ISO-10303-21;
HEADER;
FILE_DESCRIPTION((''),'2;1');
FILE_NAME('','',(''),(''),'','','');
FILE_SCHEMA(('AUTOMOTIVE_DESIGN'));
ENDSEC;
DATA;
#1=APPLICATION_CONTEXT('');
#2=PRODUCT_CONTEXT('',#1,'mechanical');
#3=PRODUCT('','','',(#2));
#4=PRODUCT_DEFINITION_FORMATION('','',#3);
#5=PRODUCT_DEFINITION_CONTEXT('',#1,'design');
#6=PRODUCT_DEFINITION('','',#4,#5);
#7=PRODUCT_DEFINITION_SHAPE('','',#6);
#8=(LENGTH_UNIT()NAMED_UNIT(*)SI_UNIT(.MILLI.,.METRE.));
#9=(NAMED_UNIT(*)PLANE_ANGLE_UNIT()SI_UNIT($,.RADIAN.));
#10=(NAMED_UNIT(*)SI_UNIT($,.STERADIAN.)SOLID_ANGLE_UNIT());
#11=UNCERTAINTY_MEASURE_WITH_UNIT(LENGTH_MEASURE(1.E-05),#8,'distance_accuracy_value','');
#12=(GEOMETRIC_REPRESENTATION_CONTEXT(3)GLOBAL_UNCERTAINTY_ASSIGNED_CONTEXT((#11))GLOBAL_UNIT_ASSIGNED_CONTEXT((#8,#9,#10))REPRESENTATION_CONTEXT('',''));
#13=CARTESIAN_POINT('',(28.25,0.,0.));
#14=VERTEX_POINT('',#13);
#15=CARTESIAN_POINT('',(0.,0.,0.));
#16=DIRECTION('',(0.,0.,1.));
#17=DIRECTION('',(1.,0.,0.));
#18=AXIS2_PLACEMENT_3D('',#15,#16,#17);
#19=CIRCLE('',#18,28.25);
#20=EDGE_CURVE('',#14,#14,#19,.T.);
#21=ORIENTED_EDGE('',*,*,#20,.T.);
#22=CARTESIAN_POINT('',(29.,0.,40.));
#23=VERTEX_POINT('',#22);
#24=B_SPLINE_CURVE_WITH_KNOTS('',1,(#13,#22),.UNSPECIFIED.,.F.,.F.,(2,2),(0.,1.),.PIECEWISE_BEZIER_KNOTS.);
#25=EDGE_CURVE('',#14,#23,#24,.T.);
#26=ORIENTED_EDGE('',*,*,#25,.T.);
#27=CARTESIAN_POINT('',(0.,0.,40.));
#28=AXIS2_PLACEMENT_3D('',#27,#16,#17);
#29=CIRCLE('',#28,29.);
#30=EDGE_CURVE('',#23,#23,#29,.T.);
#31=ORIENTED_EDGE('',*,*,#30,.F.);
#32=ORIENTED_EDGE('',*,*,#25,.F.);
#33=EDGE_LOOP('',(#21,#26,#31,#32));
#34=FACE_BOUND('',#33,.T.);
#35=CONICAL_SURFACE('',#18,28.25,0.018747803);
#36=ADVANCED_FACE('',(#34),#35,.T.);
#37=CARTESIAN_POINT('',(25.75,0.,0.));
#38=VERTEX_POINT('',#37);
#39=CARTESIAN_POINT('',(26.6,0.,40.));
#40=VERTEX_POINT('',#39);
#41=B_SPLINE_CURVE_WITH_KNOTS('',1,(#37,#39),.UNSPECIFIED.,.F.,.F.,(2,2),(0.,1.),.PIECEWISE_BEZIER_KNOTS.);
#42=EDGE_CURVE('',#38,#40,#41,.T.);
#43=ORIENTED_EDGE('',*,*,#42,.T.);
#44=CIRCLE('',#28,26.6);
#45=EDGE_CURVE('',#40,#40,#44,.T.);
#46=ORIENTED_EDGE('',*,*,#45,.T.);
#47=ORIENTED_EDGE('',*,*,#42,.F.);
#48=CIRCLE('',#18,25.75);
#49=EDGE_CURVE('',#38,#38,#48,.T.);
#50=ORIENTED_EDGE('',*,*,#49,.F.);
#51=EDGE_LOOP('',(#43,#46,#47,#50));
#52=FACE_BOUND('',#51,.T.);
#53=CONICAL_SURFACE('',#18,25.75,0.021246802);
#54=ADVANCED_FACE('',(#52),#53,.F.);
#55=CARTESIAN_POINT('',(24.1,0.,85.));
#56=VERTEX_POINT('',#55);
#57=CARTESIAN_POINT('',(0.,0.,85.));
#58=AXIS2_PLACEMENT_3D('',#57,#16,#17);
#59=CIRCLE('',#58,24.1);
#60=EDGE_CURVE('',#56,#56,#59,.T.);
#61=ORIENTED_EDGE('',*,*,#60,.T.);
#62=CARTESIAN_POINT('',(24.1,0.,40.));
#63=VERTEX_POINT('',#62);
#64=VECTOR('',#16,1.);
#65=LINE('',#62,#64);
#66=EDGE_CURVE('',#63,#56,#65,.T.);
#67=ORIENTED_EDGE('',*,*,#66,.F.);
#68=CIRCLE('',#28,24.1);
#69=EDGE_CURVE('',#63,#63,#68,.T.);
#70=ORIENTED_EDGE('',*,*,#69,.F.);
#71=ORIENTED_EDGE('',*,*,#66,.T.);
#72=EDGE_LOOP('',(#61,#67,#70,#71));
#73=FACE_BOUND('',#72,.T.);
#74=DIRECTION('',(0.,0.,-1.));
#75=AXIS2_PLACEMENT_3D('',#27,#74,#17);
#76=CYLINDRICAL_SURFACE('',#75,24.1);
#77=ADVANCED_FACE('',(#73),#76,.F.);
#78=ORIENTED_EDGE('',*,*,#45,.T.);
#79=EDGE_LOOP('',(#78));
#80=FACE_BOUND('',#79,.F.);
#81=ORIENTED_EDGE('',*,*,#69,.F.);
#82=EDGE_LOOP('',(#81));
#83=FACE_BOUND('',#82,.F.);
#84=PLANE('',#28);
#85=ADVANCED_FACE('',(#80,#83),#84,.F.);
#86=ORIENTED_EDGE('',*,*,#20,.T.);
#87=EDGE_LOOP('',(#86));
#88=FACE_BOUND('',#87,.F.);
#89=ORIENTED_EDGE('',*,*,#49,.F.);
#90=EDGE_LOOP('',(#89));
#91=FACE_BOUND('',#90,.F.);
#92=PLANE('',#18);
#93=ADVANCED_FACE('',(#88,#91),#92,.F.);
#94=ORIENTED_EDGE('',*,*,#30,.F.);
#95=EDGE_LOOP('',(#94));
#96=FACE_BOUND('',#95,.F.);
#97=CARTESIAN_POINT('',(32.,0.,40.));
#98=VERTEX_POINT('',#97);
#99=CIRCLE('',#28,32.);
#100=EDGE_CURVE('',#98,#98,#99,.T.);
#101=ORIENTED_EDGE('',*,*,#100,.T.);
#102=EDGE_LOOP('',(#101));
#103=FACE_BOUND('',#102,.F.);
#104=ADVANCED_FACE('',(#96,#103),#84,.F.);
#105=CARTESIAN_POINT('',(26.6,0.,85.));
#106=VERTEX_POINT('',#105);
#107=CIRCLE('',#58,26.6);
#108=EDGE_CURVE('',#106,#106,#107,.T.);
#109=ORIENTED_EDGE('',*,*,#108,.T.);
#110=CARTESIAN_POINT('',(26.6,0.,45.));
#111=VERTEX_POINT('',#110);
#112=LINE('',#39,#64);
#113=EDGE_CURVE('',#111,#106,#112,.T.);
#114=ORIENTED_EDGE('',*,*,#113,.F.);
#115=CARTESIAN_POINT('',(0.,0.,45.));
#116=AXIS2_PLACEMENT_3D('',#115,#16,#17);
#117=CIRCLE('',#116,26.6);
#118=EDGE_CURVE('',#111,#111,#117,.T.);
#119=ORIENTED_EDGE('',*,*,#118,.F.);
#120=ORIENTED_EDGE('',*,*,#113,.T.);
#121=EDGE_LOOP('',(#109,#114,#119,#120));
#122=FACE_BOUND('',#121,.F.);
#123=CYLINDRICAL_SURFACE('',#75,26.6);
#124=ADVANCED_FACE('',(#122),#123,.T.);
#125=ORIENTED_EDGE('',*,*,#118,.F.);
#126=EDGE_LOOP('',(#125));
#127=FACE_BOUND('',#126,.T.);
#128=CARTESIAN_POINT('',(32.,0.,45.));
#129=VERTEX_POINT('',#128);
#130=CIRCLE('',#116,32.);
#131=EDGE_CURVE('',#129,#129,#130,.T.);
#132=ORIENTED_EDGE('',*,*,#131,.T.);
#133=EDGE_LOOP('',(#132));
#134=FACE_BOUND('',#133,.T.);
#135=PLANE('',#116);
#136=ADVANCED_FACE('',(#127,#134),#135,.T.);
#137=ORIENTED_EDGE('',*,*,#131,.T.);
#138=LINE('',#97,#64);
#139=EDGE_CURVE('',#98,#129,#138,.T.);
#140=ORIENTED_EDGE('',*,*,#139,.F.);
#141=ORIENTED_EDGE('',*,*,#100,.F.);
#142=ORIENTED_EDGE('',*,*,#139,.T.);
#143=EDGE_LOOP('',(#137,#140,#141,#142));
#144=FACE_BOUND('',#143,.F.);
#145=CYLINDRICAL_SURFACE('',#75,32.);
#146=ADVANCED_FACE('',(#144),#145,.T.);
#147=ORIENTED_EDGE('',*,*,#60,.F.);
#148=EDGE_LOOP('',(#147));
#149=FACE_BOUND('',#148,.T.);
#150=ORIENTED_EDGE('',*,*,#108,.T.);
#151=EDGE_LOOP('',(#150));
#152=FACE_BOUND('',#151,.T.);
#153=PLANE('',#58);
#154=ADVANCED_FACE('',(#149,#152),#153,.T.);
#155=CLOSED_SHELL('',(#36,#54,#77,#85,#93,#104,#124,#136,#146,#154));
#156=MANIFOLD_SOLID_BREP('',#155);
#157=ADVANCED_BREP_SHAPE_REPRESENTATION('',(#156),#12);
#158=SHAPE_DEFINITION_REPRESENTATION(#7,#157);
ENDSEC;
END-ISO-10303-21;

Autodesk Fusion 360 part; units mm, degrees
sketch "Sketch1" plane through (0, 0, 0) normal (0, 0, 1) x (1, 0, 0)
  circle A0 centre (0, 0) radius 28.25
  circle A1 centre (0, 0) radius 25.75
  dimension "d1" = 56.5
  dimension "d7" = 51.5
ref_plane "WorkPlane1" through (0, 0, 40) normal (0, 0, 1) x (1, 0, 0)
sketch "Sketch2" plane through (0, 0, 40) normal (0, 0, 1) x (1, 0, 0)
  circle A0 centre (0, 0) radius 29
  circle A1 centre (0, 0) radius 26.6
  dimension "d6" = 58
  dimension "d8" = 53.2
loft "Loft1" add profiles "Sketch1", "Sketch2" section 1 section 2
loft "Loft2" cut profiles "Sketch2", "Sketch1" section 1 contours A1 section 2 contours A1
sketch "Sketch3" plane through (0, 0, 40) normal (0, 0, 1) x (1, 0, 0)
  circle A0 centre (0, 0) radius 32
  circle A1 centre (0, 0) radius 26.6
  circle A2 centre (0, 0) radius 24.1
  dimension "d9" = 64
  dimension "d10" = 53.2
  dimension "d15" = 48.2
extrude "Extrude1" add sketch "Sketch3" along normal blind 5 contours A0
extrude "Extrude2" add sketch "Sketch3" along normal blind 45 contours A1
